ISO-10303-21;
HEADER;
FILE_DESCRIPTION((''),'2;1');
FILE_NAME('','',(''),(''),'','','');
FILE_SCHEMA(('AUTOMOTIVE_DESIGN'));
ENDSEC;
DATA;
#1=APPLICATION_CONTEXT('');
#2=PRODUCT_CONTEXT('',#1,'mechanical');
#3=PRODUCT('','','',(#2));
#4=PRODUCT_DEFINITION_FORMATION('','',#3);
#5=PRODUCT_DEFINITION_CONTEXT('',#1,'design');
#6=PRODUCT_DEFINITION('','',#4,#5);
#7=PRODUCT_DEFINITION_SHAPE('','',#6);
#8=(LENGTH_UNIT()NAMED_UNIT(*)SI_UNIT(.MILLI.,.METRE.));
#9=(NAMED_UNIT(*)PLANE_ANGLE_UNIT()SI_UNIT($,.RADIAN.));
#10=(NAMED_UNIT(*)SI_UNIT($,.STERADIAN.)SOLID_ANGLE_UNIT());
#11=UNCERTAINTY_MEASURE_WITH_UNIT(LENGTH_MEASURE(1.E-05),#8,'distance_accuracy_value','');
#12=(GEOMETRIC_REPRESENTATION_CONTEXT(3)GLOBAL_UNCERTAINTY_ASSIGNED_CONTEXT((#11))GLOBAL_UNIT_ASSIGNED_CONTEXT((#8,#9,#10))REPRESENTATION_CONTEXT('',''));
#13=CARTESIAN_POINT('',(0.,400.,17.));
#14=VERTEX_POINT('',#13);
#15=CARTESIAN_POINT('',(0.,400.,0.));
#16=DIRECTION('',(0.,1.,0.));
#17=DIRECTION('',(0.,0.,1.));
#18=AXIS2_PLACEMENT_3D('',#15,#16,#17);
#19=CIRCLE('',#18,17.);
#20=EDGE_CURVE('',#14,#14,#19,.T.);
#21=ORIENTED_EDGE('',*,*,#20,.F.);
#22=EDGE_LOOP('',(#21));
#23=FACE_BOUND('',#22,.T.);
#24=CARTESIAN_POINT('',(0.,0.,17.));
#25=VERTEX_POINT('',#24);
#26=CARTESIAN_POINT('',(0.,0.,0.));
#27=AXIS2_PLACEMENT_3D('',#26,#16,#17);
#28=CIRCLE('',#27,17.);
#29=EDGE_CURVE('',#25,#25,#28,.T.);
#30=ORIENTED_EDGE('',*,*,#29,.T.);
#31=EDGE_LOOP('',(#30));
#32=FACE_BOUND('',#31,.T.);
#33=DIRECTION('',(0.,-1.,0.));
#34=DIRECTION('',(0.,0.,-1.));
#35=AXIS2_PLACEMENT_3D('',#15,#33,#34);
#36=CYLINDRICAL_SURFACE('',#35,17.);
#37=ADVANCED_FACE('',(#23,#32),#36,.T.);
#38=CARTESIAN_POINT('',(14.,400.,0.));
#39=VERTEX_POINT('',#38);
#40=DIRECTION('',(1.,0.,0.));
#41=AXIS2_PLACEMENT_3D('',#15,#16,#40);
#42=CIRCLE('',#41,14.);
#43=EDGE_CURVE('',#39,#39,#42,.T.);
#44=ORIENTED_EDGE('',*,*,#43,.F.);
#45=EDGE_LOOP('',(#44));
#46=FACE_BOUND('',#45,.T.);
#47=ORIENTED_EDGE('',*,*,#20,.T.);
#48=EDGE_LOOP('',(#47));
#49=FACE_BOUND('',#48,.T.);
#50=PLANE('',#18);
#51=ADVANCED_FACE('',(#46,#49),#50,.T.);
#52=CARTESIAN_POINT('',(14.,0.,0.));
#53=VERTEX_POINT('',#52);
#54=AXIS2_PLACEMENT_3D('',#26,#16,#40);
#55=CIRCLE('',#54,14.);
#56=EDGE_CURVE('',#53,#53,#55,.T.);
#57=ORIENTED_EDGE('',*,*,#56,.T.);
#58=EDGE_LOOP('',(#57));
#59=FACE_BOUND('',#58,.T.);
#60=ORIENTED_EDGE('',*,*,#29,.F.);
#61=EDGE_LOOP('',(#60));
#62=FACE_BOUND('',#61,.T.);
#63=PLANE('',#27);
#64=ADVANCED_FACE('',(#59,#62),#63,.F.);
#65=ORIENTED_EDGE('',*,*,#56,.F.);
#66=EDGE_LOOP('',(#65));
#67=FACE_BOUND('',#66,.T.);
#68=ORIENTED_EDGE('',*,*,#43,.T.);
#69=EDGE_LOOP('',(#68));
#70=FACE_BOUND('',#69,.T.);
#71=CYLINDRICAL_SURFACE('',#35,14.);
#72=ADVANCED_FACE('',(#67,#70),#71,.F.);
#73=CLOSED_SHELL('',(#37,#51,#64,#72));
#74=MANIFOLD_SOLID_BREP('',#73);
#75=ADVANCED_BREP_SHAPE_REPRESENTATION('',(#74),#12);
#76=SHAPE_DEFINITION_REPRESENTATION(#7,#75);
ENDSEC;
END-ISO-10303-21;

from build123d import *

# Parameters (mm, degrees)
SKETCH_1_R      = 17
SKETCH_1_R_2    = 14
EXTRUDE_1_DEPTH = 400


with BuildPart() as part:
    # Эскиз1 → Вытянуть-Тонкостенный1 (new body)
    with BuildSketch(Plane(origin=(0, 0, 0), x_dir=(1, 0, 0), z_dir=(0, 1, 0))):
        Circle(SKETCH_1_R)
        Circle(SKETCH_1_R_2, mode=Mode.SUBTRACT)
    extrude(amount=EXTRUDE_1_DEPTH)


solid = part.part
